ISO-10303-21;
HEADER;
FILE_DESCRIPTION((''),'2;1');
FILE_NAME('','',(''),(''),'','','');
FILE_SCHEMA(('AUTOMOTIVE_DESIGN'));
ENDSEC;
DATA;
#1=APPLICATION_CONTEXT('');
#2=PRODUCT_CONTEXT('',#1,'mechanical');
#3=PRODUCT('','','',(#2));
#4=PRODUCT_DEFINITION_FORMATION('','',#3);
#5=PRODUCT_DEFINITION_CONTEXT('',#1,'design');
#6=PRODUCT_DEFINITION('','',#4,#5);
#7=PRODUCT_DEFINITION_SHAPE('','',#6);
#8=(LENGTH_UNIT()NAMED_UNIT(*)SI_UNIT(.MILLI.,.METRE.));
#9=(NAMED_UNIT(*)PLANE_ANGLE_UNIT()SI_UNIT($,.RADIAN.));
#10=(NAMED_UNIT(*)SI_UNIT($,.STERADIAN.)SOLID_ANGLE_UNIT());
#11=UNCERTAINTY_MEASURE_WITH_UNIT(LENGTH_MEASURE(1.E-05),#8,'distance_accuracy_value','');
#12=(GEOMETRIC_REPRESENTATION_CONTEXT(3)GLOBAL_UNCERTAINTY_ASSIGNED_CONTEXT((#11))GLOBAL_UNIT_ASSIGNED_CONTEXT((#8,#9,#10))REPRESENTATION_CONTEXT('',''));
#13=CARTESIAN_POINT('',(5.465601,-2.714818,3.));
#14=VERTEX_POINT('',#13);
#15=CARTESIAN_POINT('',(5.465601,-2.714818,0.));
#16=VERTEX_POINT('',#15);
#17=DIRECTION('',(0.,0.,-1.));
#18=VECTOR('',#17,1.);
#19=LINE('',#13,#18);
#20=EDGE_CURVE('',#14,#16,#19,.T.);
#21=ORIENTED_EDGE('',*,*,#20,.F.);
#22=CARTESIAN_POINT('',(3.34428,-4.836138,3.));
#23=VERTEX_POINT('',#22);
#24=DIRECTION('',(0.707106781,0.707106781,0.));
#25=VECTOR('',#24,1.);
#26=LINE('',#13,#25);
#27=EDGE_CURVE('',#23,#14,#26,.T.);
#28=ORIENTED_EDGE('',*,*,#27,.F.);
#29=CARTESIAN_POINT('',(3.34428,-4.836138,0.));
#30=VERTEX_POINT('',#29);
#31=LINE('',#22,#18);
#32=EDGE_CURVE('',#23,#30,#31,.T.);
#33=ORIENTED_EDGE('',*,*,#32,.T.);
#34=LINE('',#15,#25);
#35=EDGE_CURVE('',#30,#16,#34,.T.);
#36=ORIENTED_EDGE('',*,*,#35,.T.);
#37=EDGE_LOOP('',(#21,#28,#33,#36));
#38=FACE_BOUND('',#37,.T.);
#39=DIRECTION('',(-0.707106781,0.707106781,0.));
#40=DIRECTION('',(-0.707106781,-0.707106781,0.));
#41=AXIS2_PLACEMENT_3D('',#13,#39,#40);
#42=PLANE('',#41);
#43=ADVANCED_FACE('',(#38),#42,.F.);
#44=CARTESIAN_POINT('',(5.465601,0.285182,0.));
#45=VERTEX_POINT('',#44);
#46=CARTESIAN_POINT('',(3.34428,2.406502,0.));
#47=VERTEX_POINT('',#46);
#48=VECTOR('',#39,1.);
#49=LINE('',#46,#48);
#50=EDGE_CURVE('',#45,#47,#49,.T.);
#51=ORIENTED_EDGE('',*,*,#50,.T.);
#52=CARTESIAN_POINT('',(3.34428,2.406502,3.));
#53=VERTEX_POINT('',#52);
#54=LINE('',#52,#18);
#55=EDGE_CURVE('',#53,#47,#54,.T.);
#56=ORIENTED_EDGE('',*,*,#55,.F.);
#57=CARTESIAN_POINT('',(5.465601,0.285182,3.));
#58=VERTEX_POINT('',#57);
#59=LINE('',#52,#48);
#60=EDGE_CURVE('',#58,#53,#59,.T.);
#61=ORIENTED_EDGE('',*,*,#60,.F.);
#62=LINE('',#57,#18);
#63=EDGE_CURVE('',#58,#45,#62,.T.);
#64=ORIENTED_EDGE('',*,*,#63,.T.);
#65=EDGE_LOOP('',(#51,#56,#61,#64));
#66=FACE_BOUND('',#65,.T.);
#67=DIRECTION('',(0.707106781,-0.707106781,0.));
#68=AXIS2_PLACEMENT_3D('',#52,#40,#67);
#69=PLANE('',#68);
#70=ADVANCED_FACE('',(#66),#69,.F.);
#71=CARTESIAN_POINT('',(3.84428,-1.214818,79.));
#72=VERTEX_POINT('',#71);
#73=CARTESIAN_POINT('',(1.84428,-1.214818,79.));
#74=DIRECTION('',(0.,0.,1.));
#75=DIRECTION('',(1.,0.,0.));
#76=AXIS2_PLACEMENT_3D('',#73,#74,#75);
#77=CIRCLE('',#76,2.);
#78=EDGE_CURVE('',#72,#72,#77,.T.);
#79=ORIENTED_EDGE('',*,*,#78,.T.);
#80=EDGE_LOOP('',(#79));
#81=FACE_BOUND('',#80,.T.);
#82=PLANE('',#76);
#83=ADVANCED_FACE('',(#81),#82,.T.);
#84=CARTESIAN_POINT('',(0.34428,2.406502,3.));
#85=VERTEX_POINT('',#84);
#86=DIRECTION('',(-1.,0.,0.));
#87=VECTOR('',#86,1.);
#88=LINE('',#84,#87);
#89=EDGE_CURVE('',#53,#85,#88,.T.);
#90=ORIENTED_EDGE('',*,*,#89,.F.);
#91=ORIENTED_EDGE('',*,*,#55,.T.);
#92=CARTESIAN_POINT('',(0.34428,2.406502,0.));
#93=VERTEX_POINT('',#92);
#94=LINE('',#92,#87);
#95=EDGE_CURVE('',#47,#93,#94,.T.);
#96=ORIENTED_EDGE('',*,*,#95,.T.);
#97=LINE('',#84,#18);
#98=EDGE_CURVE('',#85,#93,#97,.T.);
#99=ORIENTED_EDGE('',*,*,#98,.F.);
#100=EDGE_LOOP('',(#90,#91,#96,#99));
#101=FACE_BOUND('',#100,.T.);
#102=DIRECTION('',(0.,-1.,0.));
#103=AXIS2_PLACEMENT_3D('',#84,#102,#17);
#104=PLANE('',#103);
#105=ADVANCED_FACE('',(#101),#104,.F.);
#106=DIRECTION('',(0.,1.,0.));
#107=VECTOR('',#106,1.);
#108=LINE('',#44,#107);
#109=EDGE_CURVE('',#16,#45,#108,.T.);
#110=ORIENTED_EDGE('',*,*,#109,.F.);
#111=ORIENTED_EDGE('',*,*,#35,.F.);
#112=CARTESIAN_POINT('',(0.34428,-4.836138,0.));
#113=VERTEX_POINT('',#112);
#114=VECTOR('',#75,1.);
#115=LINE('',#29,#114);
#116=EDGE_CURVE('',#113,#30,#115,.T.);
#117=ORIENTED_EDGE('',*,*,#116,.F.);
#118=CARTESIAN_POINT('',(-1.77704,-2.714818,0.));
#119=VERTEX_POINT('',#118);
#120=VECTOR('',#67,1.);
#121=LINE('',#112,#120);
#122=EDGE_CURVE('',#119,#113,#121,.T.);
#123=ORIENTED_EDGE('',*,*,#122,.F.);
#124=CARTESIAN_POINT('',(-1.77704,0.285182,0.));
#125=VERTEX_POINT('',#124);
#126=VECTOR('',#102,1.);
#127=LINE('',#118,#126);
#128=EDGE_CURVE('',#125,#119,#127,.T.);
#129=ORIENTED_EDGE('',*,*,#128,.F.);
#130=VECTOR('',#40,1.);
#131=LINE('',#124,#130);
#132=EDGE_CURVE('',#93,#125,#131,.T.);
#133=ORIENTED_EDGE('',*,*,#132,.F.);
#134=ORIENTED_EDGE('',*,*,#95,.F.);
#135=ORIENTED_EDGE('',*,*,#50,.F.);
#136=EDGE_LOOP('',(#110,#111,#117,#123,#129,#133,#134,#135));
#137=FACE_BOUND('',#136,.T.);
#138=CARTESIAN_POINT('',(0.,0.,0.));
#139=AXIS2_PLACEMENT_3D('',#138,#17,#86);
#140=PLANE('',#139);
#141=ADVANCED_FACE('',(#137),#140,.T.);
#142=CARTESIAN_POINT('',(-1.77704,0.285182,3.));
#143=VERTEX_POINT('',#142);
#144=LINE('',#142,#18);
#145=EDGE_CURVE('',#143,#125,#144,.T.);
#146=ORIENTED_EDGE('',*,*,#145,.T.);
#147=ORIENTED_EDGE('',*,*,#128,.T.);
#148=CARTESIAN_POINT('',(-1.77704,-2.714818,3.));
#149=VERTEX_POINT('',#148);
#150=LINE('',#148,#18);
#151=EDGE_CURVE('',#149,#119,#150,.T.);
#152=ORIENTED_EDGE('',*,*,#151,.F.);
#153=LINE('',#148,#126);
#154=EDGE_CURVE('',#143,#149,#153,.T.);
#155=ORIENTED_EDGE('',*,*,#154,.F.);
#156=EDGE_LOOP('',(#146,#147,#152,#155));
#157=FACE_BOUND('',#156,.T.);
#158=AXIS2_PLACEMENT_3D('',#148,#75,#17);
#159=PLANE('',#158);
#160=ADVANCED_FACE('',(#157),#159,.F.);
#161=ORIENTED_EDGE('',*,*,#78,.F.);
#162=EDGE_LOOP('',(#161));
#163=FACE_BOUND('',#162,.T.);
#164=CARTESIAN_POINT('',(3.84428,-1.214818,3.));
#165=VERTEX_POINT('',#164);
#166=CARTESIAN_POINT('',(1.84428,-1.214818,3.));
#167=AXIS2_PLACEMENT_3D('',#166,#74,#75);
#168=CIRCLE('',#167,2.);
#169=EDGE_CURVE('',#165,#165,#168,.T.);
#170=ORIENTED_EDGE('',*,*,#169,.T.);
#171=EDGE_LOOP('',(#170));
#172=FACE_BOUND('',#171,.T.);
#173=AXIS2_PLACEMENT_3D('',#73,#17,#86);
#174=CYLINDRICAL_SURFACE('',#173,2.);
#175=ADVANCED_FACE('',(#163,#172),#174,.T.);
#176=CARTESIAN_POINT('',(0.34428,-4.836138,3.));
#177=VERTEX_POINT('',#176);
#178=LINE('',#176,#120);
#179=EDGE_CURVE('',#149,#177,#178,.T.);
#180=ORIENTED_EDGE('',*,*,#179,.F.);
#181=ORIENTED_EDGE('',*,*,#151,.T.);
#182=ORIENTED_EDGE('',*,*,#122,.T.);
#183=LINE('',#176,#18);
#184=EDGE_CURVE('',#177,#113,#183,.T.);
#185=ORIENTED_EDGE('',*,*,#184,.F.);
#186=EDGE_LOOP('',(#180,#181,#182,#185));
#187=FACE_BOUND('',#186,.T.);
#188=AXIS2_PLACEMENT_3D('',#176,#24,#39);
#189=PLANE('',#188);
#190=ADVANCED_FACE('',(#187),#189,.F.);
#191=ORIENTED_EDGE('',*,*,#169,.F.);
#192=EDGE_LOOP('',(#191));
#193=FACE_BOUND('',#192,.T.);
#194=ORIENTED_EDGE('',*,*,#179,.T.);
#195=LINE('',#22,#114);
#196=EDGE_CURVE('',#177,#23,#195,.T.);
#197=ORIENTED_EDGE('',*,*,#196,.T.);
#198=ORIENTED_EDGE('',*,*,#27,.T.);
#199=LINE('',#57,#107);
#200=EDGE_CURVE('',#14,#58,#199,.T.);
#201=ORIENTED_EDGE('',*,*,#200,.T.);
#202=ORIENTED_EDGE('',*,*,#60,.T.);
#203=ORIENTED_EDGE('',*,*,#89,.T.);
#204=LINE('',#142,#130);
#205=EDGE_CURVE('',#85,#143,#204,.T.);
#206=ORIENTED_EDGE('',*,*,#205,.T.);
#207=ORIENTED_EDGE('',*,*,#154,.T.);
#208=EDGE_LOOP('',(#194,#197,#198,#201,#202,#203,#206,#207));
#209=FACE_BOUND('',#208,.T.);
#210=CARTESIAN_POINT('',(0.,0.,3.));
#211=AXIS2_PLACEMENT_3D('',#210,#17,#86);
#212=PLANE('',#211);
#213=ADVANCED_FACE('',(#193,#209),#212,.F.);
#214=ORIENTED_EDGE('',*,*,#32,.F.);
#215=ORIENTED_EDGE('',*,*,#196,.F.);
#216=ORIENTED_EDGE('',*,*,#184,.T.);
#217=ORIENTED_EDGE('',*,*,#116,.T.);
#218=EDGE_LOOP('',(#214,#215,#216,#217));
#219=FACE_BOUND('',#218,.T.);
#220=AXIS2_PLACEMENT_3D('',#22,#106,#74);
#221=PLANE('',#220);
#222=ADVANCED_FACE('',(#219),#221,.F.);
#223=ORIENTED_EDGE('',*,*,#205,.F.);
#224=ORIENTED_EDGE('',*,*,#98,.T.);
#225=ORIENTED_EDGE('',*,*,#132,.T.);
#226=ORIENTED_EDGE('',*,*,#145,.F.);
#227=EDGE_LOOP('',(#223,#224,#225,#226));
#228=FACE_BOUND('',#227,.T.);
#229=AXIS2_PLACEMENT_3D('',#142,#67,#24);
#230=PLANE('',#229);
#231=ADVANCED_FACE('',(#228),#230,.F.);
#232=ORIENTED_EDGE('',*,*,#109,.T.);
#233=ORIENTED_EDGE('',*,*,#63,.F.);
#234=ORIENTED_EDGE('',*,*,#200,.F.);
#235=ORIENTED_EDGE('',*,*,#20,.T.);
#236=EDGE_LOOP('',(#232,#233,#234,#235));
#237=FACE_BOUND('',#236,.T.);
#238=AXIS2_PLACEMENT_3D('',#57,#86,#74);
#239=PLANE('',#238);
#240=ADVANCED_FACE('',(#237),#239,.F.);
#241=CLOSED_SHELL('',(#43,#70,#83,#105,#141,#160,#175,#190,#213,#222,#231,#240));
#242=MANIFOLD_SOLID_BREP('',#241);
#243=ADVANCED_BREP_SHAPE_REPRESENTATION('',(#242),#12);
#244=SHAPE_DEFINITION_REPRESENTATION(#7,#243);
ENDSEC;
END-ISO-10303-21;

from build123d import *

# Parameters (mm, degrees)
AUFSATZ_LINEAR_AUSTRAGEN1_DEPTH = 3
SKIZZE2_R                       = 2
AUFSATZ_LINEAR_AUSTRAGEN2_DEPTH = 76


with BuildPart() as part:
    # Skizze1 → Aufsatz-Linear austragen1 (new body)
    with BuildSketch(Plane.XY):
        Polygon((-1.777039873, 0.285182154), (0.34428047, 2.406502498), (3.34428047, 2.406502498), (5.465600814, 0.285182154), (5.465600814, -2.714817846), (3.34428047, -4.83613819), (0.34428047, -4.83613819), (-1.777039873, -2.714817846), align=None)
    extrude(amount=AUFSATZ_LINEAR_AUSTRAGEN1_DEPTH)

    # Skizze2 → Aufsatz-Linear austragen2 (add)
    with BuildSketch(Plane.XY.offset(3)):
        with Locations((1.84428047, -1.214817846)):
            Circle(SKIZZE2_R)
    extrude(amount=AUFSATZ_LINEAR_AUSTRAGEN2_DEPTH)


solid = part.part
